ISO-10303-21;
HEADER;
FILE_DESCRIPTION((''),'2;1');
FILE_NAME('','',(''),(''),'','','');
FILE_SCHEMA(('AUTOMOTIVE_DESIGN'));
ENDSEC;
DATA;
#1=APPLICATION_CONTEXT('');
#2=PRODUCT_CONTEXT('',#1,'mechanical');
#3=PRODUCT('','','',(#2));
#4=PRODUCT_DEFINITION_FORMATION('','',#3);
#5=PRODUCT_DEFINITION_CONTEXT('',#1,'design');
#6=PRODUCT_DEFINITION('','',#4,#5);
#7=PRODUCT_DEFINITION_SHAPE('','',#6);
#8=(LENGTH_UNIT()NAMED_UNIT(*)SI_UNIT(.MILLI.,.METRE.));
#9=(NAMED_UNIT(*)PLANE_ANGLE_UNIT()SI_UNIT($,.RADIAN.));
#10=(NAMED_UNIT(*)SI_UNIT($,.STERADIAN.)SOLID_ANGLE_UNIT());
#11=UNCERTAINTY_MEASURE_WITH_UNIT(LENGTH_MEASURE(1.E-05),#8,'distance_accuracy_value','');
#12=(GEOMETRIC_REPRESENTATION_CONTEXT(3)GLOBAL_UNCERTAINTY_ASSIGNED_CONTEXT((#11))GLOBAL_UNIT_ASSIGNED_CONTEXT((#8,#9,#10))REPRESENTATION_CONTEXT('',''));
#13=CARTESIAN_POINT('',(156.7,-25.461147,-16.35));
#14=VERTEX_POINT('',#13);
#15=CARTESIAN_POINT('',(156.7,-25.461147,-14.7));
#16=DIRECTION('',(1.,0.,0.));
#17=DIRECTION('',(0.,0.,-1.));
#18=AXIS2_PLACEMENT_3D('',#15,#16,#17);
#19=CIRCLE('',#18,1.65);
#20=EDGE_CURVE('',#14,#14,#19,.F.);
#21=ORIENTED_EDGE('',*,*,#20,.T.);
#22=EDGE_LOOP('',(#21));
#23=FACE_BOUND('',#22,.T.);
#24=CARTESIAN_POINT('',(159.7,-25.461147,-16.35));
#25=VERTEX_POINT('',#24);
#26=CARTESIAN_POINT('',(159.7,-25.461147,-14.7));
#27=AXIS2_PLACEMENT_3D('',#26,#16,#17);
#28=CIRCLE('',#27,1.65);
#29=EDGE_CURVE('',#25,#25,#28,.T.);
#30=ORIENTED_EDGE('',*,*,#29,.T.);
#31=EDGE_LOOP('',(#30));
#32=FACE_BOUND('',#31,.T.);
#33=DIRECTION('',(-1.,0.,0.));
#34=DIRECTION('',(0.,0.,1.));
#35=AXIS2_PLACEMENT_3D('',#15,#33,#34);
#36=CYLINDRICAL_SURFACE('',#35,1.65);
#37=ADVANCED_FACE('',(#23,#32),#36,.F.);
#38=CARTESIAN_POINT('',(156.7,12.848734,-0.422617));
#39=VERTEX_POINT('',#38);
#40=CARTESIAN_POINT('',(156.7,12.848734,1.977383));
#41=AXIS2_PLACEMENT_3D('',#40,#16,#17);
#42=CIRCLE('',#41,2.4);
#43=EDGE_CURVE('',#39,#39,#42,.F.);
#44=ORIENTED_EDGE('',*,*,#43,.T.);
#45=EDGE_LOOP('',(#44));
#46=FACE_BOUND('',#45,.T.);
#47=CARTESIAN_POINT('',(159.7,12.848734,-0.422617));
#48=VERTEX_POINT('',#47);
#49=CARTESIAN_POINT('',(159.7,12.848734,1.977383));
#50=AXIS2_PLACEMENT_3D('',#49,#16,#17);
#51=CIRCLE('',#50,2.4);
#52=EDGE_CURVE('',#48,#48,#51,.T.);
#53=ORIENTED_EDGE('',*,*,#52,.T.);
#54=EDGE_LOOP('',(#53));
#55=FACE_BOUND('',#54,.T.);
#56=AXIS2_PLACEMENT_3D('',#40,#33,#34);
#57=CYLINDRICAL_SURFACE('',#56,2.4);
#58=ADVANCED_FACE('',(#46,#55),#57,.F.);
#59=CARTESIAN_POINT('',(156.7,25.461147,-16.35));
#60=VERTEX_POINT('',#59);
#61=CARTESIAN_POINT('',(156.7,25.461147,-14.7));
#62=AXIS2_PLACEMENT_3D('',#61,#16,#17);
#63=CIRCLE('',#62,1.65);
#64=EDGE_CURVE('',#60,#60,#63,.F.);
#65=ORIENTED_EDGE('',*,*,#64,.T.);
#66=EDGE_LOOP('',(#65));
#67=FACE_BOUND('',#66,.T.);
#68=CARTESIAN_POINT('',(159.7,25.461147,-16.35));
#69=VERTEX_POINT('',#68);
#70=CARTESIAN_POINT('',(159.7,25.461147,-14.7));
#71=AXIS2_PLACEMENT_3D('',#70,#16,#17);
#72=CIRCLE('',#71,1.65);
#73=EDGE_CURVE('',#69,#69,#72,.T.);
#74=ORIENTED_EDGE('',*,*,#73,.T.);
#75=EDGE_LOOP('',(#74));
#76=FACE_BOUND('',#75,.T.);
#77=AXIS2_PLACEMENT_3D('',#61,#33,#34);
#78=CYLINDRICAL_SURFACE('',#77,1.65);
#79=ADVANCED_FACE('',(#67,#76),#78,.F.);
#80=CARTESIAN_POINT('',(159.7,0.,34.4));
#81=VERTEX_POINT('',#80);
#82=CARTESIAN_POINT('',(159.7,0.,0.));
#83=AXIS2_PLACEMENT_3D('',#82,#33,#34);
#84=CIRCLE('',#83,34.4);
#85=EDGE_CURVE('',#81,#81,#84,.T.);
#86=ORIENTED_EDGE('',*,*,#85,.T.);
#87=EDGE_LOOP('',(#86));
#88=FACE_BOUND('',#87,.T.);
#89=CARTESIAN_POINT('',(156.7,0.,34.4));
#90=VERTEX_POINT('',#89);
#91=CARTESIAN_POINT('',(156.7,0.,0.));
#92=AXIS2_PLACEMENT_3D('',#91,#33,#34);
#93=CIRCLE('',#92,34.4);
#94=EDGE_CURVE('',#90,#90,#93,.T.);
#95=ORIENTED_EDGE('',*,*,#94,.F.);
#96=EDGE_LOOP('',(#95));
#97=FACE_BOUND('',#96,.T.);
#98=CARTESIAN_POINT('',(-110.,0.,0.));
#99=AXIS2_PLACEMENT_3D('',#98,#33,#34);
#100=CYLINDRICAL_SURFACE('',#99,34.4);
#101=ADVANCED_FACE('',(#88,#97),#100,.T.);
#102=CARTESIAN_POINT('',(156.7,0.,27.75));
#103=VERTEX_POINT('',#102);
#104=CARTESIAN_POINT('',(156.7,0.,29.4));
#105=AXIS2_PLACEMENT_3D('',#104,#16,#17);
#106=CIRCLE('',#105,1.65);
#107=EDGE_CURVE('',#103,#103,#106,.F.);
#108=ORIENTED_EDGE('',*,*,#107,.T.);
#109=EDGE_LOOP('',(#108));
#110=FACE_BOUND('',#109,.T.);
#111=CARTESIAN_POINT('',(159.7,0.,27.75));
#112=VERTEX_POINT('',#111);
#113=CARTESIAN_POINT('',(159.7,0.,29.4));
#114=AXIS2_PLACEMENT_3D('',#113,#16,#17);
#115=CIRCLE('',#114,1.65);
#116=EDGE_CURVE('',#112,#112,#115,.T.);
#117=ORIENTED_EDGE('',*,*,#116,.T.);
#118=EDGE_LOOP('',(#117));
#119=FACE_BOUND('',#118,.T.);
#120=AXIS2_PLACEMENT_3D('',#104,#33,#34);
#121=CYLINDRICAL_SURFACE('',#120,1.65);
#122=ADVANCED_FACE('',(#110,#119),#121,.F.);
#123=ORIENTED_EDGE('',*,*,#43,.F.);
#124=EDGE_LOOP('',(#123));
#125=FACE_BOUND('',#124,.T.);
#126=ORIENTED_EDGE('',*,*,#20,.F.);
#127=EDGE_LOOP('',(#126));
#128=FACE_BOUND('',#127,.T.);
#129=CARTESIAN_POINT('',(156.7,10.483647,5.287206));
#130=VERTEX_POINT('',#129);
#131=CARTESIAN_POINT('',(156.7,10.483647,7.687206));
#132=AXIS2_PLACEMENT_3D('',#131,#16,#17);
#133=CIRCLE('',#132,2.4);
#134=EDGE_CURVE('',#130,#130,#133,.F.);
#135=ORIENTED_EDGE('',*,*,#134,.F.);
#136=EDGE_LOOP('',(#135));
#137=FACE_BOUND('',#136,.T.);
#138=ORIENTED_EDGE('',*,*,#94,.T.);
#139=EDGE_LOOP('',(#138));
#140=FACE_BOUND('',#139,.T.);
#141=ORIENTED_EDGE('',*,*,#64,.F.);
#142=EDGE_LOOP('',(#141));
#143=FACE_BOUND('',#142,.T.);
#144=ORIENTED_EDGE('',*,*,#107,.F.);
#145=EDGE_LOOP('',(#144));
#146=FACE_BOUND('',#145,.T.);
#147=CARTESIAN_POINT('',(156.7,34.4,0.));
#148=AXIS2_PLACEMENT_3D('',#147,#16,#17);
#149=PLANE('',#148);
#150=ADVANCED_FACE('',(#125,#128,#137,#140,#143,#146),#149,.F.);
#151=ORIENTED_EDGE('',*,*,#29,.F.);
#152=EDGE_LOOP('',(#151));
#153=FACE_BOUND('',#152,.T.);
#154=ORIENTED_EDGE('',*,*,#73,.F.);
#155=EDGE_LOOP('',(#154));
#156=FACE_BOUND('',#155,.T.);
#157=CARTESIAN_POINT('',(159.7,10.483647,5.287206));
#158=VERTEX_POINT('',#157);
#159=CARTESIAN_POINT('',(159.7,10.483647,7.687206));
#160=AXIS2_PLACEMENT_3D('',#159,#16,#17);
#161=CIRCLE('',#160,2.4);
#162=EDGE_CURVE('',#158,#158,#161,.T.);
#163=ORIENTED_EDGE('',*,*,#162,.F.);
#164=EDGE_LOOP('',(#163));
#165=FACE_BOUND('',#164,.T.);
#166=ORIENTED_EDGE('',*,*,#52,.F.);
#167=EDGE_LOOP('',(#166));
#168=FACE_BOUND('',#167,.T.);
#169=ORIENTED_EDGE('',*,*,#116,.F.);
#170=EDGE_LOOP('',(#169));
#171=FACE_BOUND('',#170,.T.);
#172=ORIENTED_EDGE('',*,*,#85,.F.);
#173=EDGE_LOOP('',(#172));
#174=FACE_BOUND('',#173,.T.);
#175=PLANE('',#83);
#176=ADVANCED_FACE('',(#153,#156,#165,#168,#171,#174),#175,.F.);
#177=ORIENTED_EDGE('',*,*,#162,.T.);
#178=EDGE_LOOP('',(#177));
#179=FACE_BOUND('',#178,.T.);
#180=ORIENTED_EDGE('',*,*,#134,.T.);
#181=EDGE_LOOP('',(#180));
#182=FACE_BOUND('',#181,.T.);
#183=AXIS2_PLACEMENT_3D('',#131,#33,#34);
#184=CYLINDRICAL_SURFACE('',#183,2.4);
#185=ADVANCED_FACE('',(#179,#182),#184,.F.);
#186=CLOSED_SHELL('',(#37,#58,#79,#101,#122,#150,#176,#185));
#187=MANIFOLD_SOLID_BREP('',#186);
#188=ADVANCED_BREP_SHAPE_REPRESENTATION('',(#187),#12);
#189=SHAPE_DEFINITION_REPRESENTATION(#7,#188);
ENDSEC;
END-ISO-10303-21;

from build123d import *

# Parameters (mm, degrees)
AXIAL_PROFILE_MM_W     = 3
AXIAL_PROFILE_MM_H     = 34.4
AXIAL_HOLES_DEPTH      = 167.945530039
AXIAL_HOLES_DEPTH_BACK = 167.945530039
SKETCH2_R              = 2.4
SKETCH2_R_2            = 1.65


with BuildPart() as part:
    # Axial profile (mm) → Full revolution (revolve)
    with BuildSketch(Plane.XY, mode=Mode.PRIVATE) as full_revolution_sk:
        with Locations((158.2, 17.2)):
            Rectangle(AXIAL_PROFILE_MM_W, AXIAL_PROFILE_MM_H)
    revolve(full_revolution_sk.sketch.rotate(Axis((-110, 0, 0), (1, 0, 0)), 90), axis=Axis((-110, 0, 0), (1, 0, 0)))

    # Sketch2 → Axial holes (cut, two sides: drawn at the far end of the back side and taken through both)
    with BuildSketch(Plane(origin=(0, 0, 0), x_dir=(0, 0, -1), z_dir=(1, 0, 0)).offset(-AXIAL_HOLES_DEPTH_BACK)):
        with Locations((-1.977382665, 12.848733704)):
            Circle(SKETCH2_R)
        with Locations((-7.687206041, 10.483647423)):
            Circle(SKETCH2_R)
        with Locations((-29.4, 0)):
            Circle(SKETCH2_R_2)
        with Locations((14.7, -25.461146871)):
            Circle(SKETCH2_R_2)
        with Locations((14.7, 25.461146871)):
            Circle(SKETCH2_R_2)
    extrude(amount=AXIAL_HOLES_DEPTH + AXIAL_HOLES_DEPTH_BACK, mode=Mode.SUBTRACT)


solid = part.part
